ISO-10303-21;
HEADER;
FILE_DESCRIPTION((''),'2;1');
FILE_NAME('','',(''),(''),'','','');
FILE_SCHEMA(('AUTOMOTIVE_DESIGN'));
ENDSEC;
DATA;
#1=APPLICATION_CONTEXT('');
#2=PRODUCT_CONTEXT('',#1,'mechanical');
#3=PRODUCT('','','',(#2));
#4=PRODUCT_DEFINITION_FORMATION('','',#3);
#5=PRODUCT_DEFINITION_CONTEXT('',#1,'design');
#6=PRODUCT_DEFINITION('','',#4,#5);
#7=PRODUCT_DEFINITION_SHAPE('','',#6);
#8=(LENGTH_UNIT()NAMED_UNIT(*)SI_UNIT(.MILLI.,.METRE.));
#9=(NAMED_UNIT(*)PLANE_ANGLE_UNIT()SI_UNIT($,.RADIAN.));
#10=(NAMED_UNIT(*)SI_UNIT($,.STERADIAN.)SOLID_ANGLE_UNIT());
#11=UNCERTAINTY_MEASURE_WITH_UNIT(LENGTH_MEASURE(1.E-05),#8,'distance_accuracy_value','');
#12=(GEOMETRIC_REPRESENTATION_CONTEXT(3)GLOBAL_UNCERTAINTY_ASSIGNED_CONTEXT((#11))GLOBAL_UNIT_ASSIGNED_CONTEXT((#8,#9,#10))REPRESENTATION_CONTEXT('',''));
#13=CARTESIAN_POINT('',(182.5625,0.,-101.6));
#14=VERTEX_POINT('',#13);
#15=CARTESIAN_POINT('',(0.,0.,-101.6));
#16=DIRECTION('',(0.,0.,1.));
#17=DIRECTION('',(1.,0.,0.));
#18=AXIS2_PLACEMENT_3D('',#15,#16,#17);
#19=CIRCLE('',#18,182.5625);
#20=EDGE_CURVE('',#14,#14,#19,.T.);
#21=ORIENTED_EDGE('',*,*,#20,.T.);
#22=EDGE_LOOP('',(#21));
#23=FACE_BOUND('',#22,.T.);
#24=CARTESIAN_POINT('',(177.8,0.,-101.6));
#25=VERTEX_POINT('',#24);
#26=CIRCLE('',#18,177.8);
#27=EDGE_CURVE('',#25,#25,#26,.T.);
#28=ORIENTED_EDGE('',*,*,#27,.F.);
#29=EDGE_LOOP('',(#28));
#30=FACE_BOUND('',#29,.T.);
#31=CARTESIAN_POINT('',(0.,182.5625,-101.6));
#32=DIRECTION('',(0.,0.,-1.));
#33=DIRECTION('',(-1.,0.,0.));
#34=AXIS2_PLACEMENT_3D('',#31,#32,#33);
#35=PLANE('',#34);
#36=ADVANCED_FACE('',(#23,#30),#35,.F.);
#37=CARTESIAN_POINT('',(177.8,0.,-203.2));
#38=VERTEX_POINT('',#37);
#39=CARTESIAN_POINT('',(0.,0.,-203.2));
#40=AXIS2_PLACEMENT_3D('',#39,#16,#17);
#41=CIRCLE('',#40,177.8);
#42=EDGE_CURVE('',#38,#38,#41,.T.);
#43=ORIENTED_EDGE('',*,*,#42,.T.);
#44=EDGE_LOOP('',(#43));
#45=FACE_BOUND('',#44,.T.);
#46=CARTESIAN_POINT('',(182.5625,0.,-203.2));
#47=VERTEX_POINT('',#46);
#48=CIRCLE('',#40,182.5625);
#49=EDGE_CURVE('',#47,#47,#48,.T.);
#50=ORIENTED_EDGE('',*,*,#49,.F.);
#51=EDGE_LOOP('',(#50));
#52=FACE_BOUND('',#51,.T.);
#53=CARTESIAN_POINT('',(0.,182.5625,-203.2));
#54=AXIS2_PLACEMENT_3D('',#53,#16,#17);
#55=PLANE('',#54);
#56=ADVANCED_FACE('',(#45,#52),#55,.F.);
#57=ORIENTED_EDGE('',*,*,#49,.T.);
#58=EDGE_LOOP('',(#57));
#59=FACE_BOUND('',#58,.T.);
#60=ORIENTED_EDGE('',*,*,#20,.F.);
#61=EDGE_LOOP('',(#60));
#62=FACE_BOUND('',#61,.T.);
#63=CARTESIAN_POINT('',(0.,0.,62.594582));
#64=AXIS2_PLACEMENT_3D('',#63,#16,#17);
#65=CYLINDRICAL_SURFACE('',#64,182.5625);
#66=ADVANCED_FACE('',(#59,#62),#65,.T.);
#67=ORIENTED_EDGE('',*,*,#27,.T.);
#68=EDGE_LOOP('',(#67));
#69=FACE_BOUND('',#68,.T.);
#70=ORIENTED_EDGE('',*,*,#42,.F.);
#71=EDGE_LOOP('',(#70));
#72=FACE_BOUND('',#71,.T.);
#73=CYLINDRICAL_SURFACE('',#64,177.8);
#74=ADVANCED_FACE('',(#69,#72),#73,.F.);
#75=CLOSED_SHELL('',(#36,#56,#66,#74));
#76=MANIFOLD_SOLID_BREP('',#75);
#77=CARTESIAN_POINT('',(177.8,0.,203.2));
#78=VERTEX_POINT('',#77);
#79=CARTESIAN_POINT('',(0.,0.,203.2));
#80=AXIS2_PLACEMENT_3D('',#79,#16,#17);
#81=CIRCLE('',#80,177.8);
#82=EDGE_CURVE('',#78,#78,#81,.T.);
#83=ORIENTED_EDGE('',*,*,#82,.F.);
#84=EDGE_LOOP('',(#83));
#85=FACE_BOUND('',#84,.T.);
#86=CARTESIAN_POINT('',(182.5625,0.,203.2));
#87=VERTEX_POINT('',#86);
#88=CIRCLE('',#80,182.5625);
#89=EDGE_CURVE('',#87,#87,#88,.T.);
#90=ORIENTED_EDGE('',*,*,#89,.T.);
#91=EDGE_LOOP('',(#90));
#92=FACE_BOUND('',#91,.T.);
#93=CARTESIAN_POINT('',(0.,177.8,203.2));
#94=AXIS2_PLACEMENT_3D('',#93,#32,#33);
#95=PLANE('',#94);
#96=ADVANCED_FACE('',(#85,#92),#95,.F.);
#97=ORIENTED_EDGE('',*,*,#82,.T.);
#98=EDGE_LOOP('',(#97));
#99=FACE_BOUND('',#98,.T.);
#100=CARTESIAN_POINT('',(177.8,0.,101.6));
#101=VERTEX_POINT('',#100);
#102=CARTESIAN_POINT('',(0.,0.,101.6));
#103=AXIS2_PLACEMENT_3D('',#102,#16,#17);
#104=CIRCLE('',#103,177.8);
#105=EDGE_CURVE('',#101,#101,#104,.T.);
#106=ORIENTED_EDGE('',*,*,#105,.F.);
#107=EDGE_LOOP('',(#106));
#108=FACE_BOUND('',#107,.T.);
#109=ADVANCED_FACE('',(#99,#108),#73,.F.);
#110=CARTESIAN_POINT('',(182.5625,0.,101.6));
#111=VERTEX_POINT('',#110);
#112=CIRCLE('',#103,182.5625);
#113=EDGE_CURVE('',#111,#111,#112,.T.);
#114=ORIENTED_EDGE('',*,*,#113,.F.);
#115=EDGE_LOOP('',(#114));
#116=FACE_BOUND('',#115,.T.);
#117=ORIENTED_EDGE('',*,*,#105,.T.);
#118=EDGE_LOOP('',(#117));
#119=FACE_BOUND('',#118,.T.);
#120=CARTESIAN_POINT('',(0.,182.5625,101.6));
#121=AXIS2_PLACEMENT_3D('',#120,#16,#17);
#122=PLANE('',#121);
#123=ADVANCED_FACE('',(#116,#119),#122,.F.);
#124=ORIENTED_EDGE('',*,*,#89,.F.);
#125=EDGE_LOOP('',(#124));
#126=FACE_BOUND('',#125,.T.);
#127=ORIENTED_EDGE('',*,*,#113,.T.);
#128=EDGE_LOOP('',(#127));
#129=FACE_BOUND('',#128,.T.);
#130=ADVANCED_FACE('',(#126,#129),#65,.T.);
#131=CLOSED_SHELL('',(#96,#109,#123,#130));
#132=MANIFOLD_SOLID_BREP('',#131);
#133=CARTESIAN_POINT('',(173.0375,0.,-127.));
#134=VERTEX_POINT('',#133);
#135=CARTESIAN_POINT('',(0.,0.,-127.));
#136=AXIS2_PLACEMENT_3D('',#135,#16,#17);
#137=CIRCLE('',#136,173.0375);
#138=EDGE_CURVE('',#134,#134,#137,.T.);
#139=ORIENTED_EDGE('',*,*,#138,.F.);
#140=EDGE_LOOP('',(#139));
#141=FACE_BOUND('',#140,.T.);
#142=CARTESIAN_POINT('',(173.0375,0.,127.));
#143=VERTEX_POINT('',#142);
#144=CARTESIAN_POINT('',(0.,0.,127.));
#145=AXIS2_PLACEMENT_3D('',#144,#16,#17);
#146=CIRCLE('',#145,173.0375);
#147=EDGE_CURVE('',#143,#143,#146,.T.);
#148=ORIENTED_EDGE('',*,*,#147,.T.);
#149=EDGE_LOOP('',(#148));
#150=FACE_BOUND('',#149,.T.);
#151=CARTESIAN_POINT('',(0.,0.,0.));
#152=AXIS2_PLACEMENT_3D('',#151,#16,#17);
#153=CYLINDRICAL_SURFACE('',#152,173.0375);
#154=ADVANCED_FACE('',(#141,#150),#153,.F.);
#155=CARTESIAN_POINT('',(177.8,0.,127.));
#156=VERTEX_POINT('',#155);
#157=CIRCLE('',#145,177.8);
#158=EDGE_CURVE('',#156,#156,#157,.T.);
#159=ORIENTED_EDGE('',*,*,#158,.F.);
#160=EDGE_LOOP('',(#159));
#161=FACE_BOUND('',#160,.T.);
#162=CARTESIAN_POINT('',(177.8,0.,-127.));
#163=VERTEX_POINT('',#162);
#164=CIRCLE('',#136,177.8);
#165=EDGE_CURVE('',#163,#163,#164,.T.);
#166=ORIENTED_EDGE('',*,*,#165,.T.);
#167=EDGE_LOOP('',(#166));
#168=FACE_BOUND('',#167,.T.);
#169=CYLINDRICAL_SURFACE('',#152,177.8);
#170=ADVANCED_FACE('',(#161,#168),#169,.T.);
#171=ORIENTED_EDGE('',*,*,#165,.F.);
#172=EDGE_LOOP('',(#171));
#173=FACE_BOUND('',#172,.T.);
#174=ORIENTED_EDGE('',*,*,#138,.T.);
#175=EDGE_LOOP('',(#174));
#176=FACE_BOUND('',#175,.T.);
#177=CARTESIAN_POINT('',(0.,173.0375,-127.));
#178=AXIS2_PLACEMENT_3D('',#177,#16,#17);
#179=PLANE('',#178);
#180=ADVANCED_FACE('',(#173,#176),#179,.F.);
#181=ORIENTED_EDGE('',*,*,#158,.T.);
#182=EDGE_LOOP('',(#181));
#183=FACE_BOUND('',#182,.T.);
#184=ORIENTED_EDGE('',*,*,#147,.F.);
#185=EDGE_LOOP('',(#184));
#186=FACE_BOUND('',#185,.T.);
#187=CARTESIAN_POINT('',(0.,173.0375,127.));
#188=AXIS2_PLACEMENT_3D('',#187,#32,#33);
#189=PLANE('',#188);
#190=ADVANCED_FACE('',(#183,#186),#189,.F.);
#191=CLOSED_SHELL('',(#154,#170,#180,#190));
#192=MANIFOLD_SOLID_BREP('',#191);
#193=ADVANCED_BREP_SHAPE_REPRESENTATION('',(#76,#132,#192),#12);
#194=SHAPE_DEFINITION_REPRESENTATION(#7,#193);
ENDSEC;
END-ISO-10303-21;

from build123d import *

# Parameters (mm, degrees)
SKETCH2_W = 101.6
SKETCH2_H = 4.7625
SKETCH3_W = 254
SKETCH3_H = 4.7625


with BuildPart() as part:
    # Sketch2 → Revolve1 (revolve)
    with BuildSketch(Plane(origin=(0, 0, 0), x_dir=(0, 0, -1), z_dir=(1, 0, 0)), mode=Mode.PRIVATE) as revolve1_sk:
        with Locations((-152.4, 180.18125)):
            Rectangle(SKETCH2_W, SKETCH2_H)
        with Locations((152.4, 180.18125)):
            Rectangle(SKETCH2_W, SKETCH2_H)
    revolve(revolve1_sk.sketch.rotate(Axis((0, 0, 62.594581749), (0, 0, -1)), 90), axis=Axis((0, 0, 62.594581749), (0, 0, -1)))  # turned: the seam where the file's is


with BuildPart() as body_2:
    # Sketch3 → Revolve2 (revolve)
    with BuildSketch(Plane(origin=(0, 0, 0), x_dir=(0, 0, -1), z_dir=(1, 0, 0)), mode=Mode.PRIVATE) as revolve2_sk:
        with Locations((0, 175.41875)):
            Rectangle(SKETCH3_W, SKETCH3_H)
    revolve(revolve2_sk.sketch.rotate(Axis((0, 0, 0), (0, 0, -1)), 90), axis=Axis((0, 0, 0), (0, 0, -1)))  # turned: the seam where the file's is


solid = Compound([part.part, body_2.part])
